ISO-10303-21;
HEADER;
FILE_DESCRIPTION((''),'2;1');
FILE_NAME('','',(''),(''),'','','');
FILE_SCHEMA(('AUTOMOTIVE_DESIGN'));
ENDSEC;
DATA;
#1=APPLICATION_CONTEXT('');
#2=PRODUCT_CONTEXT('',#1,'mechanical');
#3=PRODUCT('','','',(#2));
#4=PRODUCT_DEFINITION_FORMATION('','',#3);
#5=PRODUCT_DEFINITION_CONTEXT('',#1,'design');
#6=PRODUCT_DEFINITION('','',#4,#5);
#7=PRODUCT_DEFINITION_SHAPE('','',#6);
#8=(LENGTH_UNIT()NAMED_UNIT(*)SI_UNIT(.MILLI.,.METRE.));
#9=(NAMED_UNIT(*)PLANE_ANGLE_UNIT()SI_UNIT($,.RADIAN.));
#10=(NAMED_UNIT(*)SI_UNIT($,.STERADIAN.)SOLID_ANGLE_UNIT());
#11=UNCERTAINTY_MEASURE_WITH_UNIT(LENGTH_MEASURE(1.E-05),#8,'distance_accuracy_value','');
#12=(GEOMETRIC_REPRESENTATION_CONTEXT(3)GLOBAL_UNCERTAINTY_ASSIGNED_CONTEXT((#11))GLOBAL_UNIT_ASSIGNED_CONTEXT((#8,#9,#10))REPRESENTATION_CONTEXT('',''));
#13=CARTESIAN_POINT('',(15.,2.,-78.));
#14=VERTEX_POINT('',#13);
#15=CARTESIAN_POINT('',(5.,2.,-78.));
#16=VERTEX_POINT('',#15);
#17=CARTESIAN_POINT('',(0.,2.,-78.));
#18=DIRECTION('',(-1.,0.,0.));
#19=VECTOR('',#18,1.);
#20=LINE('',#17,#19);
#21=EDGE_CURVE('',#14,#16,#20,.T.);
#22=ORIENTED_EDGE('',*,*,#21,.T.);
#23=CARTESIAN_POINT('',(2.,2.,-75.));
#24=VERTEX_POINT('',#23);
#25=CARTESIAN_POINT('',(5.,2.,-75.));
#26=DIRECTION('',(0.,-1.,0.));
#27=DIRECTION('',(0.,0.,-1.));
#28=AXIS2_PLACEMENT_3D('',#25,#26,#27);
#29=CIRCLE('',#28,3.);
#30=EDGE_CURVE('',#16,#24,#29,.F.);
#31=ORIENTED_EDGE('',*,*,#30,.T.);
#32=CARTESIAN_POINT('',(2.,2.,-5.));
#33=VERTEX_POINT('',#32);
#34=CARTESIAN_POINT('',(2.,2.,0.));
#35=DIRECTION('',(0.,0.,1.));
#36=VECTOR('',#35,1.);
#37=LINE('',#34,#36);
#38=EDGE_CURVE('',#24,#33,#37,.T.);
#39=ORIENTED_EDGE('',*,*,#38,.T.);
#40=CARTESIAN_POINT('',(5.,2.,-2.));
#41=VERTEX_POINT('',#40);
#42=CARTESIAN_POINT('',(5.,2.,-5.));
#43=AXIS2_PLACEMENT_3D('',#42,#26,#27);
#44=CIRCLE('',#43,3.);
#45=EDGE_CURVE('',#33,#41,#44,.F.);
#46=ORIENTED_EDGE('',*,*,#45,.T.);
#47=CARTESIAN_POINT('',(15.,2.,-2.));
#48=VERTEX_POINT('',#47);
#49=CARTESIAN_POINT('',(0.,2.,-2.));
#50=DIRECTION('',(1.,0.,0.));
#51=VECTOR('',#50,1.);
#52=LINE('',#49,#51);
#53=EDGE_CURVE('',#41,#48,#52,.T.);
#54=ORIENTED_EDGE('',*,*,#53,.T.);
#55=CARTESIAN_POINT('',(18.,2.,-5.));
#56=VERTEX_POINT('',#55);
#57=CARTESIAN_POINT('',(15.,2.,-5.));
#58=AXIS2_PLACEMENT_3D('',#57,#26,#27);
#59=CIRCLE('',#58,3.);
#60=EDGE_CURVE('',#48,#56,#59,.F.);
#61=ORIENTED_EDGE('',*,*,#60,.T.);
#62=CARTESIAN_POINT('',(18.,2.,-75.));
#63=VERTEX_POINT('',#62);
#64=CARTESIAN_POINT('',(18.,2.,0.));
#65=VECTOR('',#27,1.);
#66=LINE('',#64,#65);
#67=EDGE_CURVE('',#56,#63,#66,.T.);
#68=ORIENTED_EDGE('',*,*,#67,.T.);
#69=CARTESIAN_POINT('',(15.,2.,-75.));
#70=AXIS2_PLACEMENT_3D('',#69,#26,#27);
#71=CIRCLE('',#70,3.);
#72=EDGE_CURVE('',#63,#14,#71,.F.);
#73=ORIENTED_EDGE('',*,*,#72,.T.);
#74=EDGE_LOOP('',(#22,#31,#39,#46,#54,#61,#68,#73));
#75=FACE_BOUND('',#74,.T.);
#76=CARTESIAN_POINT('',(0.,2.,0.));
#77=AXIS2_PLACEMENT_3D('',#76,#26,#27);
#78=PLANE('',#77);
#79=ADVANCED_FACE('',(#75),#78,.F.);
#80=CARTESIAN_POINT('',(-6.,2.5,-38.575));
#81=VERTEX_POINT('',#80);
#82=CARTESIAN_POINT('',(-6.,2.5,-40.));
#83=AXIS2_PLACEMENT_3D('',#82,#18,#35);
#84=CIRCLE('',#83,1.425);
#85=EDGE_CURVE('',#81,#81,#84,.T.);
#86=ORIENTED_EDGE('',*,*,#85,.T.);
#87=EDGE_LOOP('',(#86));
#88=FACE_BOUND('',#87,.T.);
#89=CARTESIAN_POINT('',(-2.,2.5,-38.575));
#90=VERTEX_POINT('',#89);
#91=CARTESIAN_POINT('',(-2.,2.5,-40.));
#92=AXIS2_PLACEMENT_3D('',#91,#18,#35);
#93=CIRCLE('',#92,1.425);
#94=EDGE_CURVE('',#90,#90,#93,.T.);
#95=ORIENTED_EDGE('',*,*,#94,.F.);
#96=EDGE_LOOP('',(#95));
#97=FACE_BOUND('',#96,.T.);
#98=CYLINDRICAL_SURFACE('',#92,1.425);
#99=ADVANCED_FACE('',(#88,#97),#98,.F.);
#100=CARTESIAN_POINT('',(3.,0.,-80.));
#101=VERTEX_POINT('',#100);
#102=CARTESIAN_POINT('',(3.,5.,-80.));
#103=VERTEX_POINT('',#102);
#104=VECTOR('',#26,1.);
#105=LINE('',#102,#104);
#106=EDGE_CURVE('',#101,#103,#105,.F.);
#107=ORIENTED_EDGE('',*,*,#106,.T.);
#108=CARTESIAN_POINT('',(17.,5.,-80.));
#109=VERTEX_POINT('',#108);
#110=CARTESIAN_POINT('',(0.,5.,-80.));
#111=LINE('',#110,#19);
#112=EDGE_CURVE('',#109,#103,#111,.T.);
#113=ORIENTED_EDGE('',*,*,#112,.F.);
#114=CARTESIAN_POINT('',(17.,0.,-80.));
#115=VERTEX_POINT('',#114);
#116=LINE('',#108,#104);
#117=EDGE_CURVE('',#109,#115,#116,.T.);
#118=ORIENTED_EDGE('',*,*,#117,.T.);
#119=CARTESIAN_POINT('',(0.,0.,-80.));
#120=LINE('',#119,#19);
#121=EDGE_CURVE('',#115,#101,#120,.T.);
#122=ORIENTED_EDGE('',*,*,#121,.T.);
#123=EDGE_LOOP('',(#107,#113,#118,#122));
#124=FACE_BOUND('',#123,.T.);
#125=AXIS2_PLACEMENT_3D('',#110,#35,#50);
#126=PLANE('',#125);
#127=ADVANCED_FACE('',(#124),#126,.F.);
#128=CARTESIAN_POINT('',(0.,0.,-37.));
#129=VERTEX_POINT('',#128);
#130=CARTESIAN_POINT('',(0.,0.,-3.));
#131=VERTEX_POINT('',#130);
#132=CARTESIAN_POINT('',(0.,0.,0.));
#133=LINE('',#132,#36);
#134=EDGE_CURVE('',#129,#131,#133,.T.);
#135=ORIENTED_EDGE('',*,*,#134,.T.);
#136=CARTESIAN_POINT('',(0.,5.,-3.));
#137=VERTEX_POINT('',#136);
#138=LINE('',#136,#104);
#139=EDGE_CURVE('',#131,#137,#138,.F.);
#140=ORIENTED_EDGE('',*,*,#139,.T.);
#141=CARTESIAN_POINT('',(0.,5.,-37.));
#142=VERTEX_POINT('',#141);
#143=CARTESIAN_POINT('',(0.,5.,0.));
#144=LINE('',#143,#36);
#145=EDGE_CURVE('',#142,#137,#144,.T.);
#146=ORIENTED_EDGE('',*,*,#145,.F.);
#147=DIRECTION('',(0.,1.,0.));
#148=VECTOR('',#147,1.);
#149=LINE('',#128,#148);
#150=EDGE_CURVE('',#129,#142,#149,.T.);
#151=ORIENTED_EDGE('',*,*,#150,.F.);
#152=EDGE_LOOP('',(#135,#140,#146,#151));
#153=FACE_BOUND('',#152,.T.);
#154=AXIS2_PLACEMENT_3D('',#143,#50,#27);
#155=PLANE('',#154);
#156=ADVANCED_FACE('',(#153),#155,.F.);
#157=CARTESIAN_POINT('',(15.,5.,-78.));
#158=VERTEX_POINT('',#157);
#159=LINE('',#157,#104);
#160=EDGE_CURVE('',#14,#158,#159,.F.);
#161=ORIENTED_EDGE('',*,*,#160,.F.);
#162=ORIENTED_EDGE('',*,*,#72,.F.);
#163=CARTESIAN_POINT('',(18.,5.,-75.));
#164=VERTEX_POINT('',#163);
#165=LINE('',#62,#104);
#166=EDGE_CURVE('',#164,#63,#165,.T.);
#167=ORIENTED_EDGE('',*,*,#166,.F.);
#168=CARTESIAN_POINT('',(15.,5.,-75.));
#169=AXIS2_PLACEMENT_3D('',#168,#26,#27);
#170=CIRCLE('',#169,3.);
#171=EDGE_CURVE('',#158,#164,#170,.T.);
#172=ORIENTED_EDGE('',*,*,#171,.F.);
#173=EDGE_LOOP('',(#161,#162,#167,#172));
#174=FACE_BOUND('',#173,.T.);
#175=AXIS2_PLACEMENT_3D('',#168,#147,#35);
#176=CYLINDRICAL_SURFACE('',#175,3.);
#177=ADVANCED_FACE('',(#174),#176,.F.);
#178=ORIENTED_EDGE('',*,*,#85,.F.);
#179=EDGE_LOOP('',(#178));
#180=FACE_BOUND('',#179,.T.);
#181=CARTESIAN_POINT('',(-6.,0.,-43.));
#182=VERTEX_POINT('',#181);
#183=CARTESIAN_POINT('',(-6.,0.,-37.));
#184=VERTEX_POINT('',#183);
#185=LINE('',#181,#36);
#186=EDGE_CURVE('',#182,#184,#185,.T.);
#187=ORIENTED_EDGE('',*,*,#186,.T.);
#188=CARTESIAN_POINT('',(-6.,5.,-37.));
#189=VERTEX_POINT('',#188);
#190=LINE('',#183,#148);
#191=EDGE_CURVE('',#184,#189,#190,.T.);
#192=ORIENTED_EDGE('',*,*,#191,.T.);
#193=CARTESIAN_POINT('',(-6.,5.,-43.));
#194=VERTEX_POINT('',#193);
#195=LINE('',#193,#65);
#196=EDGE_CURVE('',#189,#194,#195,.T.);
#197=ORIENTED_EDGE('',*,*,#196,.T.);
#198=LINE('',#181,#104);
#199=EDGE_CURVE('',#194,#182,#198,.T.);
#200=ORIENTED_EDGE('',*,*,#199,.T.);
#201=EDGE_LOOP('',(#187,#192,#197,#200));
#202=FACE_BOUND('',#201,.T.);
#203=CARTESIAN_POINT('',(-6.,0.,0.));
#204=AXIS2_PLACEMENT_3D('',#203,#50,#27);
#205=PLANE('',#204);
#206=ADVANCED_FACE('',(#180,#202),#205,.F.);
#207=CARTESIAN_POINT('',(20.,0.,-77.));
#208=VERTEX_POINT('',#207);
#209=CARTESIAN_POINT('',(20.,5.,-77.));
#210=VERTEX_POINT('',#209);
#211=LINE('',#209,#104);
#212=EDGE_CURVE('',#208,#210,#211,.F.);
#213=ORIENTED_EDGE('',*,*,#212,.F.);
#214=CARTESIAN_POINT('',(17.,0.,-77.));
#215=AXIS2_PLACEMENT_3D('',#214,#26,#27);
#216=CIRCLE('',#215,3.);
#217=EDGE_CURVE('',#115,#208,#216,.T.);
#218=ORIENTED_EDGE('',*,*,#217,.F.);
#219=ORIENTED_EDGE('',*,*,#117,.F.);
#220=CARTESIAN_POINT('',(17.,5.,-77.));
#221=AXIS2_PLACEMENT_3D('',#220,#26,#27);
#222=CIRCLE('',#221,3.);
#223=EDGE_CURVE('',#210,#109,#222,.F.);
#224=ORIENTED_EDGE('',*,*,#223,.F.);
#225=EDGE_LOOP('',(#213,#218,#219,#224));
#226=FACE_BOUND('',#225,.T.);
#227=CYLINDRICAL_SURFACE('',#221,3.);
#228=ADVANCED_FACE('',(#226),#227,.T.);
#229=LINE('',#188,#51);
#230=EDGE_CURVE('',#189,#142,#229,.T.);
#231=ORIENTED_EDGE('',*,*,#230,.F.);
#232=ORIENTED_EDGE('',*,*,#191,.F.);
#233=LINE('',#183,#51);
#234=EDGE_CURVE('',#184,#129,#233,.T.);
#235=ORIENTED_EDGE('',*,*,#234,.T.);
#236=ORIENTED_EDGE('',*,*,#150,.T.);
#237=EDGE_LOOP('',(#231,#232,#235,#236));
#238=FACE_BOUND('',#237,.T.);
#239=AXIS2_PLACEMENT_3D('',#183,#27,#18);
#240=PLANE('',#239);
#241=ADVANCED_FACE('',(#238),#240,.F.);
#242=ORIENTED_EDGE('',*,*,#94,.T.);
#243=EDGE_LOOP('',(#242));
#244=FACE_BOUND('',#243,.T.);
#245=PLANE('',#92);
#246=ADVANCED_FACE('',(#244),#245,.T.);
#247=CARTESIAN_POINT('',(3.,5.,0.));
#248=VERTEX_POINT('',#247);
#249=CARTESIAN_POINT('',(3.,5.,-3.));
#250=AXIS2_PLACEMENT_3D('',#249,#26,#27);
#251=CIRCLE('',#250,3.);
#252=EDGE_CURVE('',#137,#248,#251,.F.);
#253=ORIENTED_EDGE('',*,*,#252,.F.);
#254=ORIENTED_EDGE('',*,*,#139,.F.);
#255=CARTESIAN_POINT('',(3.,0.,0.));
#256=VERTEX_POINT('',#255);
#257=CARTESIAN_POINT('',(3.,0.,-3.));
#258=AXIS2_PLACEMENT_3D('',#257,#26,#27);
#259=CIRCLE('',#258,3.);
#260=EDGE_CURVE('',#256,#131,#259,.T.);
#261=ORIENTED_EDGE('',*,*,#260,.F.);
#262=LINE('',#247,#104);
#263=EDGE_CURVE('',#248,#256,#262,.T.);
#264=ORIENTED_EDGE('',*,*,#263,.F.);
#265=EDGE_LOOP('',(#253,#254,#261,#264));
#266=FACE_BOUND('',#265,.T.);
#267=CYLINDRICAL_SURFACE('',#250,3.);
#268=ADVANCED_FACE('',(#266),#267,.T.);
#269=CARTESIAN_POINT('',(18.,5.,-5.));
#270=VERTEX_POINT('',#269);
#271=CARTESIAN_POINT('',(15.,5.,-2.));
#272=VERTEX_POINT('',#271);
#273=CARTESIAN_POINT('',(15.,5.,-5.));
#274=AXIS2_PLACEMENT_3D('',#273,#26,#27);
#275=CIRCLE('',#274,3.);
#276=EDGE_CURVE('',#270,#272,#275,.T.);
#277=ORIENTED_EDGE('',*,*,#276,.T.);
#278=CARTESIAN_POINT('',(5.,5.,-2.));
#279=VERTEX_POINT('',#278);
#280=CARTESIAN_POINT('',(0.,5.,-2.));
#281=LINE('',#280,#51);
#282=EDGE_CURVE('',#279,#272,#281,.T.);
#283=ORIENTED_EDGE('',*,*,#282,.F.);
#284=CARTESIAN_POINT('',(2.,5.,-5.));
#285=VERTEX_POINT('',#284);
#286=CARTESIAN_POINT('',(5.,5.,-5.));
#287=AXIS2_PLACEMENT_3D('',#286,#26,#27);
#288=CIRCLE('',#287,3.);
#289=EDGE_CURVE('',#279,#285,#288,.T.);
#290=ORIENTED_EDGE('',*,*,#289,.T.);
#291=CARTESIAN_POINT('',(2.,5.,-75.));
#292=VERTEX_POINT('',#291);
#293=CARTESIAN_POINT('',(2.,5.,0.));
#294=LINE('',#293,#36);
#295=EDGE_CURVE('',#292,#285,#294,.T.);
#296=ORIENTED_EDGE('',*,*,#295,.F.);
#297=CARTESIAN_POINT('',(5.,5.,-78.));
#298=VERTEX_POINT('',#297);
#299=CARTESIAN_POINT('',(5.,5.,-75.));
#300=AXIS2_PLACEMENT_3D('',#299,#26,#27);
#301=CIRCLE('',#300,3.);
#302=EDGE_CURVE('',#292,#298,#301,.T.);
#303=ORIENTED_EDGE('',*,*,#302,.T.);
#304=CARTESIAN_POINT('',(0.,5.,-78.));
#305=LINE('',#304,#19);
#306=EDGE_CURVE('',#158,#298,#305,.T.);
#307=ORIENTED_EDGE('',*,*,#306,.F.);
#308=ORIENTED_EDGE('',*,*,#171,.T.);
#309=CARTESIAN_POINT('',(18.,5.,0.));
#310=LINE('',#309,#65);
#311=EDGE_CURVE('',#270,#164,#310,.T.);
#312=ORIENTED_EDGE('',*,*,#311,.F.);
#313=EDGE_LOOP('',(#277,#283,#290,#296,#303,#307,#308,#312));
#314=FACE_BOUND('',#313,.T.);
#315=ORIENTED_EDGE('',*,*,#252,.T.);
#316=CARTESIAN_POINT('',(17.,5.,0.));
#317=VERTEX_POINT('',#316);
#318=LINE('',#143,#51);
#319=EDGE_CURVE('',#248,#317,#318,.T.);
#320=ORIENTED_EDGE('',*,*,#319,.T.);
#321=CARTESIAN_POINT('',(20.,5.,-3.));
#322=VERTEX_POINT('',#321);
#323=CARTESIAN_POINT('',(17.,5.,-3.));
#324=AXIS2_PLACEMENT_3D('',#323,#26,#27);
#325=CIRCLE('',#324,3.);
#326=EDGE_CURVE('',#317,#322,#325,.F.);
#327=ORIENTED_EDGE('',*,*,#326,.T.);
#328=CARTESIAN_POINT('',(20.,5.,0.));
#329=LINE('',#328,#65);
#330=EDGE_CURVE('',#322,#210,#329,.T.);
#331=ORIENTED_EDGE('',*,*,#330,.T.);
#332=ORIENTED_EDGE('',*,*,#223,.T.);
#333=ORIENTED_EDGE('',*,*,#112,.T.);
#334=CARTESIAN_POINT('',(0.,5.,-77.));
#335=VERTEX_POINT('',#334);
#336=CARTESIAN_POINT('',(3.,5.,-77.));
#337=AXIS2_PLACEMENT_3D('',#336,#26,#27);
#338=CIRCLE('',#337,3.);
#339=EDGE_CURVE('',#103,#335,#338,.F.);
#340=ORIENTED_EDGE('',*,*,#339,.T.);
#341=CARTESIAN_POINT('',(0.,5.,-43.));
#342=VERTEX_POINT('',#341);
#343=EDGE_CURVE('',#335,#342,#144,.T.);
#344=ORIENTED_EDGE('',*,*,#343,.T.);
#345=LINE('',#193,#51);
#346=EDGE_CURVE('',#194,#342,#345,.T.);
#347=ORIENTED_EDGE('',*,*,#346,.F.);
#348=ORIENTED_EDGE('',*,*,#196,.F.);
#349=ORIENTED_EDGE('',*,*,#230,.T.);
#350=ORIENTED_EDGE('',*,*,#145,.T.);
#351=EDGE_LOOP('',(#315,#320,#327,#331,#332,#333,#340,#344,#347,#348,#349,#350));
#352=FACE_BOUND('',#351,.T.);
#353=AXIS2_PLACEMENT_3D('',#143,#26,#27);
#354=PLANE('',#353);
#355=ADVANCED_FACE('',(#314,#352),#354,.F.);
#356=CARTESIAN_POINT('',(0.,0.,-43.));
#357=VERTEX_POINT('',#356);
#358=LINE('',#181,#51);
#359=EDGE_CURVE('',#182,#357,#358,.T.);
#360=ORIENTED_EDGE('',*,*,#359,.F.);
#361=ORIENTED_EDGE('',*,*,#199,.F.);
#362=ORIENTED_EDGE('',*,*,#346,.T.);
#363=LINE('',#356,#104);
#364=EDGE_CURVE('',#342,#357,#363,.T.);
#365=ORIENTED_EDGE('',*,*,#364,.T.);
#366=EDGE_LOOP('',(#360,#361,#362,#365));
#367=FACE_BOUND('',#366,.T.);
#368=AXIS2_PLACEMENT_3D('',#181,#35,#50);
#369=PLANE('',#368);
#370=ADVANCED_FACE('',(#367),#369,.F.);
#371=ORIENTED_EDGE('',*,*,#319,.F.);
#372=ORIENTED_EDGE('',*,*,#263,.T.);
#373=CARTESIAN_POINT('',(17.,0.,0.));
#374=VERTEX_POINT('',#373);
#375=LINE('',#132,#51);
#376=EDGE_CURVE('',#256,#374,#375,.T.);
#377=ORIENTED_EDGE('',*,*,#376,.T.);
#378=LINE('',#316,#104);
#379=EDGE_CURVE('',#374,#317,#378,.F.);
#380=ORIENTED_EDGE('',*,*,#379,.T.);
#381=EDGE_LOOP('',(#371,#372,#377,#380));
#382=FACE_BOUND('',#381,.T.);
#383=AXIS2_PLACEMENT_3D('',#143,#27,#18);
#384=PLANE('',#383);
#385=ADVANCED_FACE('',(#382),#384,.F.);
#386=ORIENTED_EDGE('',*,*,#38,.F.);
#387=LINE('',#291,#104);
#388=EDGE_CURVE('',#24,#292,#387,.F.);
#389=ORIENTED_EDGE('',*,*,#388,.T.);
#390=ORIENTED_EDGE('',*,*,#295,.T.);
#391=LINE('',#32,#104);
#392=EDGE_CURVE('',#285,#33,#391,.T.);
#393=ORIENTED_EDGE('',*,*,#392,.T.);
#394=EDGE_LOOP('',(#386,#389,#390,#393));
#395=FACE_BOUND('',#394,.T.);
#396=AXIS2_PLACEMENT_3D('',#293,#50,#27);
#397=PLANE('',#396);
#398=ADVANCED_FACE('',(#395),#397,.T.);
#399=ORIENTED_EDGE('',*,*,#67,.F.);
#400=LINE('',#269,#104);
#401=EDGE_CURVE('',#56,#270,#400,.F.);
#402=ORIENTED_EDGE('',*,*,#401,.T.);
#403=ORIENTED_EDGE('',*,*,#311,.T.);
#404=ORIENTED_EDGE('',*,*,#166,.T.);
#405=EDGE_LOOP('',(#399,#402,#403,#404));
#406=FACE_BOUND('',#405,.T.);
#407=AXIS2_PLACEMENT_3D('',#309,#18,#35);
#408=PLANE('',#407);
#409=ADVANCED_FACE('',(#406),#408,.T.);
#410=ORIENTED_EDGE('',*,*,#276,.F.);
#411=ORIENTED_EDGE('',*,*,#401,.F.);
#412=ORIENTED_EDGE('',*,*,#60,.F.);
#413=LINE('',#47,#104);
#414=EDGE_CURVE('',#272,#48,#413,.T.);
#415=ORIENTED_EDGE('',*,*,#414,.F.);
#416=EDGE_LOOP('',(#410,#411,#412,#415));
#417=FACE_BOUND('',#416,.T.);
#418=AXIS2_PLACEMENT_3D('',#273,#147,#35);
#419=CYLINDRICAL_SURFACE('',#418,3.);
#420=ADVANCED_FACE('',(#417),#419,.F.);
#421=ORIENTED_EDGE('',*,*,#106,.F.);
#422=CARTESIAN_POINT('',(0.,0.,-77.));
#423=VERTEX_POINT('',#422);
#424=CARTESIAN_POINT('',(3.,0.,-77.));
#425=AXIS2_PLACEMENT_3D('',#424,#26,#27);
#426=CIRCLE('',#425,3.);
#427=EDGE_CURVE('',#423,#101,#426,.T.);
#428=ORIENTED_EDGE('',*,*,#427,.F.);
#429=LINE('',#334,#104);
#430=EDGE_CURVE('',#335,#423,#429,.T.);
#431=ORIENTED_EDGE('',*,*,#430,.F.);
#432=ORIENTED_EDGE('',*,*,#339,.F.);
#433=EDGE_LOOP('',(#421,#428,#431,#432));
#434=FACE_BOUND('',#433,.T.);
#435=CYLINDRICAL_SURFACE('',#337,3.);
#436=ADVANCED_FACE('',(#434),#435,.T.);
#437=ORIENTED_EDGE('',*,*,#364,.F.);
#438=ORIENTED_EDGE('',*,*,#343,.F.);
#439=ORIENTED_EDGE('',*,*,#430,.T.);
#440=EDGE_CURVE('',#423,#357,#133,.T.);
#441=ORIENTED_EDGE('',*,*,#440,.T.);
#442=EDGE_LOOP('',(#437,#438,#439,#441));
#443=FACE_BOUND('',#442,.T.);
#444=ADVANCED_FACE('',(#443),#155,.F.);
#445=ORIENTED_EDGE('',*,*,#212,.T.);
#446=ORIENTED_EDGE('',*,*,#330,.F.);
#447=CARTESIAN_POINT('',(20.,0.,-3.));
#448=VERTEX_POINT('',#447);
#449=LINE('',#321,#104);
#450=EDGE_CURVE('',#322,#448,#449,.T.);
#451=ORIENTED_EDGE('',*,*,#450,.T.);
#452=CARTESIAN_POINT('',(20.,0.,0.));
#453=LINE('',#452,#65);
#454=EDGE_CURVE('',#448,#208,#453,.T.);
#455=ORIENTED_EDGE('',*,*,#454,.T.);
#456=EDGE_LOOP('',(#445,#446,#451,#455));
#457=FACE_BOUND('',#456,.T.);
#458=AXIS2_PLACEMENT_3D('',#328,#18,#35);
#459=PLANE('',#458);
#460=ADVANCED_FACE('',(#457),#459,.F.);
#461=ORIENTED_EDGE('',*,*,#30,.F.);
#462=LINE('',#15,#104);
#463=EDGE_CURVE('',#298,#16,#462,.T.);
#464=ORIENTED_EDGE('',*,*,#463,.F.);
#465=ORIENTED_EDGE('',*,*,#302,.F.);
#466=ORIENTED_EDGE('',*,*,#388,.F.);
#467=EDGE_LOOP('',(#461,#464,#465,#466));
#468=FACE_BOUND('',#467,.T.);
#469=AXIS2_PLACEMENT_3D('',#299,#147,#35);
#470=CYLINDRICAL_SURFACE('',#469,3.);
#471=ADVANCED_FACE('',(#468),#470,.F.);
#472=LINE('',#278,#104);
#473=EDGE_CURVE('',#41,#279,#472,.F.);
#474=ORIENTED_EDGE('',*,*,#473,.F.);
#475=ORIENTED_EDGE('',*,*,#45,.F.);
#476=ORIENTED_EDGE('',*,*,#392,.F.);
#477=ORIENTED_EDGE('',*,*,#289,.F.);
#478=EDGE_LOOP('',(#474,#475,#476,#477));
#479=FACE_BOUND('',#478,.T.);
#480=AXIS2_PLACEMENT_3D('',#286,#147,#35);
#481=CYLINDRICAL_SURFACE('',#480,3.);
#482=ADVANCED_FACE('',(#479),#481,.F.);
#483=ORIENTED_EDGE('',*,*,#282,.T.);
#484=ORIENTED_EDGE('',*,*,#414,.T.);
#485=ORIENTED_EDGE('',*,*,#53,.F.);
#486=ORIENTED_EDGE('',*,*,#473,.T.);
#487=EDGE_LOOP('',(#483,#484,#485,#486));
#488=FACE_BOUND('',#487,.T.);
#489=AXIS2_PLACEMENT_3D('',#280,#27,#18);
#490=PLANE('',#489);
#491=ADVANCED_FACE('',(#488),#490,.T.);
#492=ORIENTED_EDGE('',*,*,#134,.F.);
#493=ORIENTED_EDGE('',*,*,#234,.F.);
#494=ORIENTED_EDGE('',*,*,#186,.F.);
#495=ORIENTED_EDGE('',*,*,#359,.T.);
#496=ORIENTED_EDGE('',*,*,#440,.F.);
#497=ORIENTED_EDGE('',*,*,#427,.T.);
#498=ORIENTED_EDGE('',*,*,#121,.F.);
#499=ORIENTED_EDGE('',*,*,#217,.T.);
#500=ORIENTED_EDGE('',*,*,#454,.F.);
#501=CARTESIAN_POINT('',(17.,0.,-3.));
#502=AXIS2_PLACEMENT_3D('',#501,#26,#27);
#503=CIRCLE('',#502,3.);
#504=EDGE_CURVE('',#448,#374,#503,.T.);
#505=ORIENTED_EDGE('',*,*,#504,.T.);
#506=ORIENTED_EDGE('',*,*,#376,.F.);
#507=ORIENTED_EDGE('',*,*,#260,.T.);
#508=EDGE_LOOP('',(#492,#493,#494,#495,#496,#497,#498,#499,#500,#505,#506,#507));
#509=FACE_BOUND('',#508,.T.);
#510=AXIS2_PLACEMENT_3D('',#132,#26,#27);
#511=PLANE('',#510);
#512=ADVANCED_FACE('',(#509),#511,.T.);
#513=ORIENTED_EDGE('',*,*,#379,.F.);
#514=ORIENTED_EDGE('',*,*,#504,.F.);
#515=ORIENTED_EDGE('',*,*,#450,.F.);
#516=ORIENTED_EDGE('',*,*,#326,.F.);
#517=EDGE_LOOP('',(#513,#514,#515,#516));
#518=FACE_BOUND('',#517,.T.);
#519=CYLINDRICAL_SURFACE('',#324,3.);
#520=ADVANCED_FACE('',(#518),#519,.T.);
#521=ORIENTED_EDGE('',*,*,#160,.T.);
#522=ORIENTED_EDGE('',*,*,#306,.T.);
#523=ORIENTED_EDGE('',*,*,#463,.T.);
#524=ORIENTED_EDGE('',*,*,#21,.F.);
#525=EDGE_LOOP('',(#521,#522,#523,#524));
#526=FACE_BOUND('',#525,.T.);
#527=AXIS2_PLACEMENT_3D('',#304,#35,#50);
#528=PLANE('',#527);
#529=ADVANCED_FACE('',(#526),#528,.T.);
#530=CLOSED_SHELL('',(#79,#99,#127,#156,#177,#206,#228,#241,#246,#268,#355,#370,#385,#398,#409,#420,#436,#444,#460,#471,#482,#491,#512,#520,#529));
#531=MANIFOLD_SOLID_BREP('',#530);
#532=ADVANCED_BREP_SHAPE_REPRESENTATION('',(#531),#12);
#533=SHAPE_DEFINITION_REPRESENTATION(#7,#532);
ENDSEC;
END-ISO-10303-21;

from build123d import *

# Parameters (mm, degrees)
SKETCH1_W           = 20
SKETCH1_H           = 80
BOSS_EXTRUDE1_DEPTH = 5
SHELL1_T            = -2
FILLET1_R           = 3
FILLET2_R           = 3
FILLET3_R           = 3
FILLET4_R           = 3
FILLET5_R           = 3
FILLET6_R           = 3
FILLET7_R           = 3
FILLET8_R           = 3
SKETCH2_W           = 6
SKETCH2_H           = 5
BOSS_EXTRUDE2_DEPTH = 6
SKETCH3_R           = 1.425
CUT_EXTRUDE1_DEPTH  = 4


with BuildPart() as part:
    # Sketch1 → Boss-Extrude1 (new body)
    with BuildSketch(Plane(origin=(0, 0, 0), x_dir=(1, 0, 0), z_dir=(0, 1, 0))):
        with Locations((10, 40)):
            Rectangle(SKETCH1_W, SKETCH1_H)
    extrude(amount=BOSS_EXTRUDE1_DEPTH)

    # Shell1
    shell1_openings = [part.faces().sort_by_distance(p)[0] for p in [
        (10, 5, -40),
    ]]
    offset(amount=SHELL1_T, openings=shell1_openings, kind=Kind.INTERSECTION)

    # Fillet1
    fillet1_edges = [part.edges().sort_by_distance(p)[0] for p in [
        (20, 2.5, 0),
    ]]
    fillet(fillet1_edges, radius=FILLET1_R)

    # Fillet2
    fillet2_edges = [part.edges().sort_by_distance(p)[0] for p in [
        (0, 2.5, 0),
    ]]
    fillet(fillet2_edges, radius=FILLET2_R)

    # Fillet3
    fillet3_edges = [part.edges().sort_by_distance(p)[0] for p in [
        (20, 2.5, -80),
    ]]
    fillet(fillet3_edges, radius=FILLET3_R)

    # Fillet4
    fillet4_edges = [part.edges().sort_by_distance(p)[0] for p in [
        (0, 2.5, -80),
    ]]
    fillet(fillet4_edges, radius=FILLET4_R)

    # Fillet5
    fillet5_edges = [part.edges().sort_by_distance(p)[0] for p in [
        (2, 3.5, -2),
    ]]
    fillet(fillet5_edges, radius=FILLET5_R)

    # Fillet6
    fillet6_edges = [part.edges().sort_by_distance(p)[0] for p in [
        (18, 3.5, -2),
    ]]
    fillet(fillet6_edges, radius=FILLET6_R)

    # Fillet7
    fillet7_edges = [part.edges().sort_by_distance(p)[0] for p in [
        (2, 3.5, -78),
    ]]
    fillet(fillet7_edges, radius=FILLET7_R)

    # Fillet8
    fillet8_edges = [part.edges().sort_by_distance(p)[0] for p in [
        (18, 3.5, -78),
    ]]
    fillet(fillet8_edges, radius=FILLET8_R)

    # Sketch2 → Boss-Extrude2 (add)
    with BuildSketch(Plane.ZY):
        with Locations((-40, 2.5)):
            Rectangle(SKETCH2_W, SKETCH2_H)
    extrude(amount=BOSS_EXTRUDE2_DEPTH)

    # Sketch3 → Cut-Extrude1 (cut)
    with BuildSketch(Plane.ZY.offset(6)):
        with Locations((-40, 2.5)):
            Circle(SKETCH3_R)
    extrude(amount=-CUT_EXTRUDE1_DEPTH, mode=Mode.SUBTRACT)


solid = part.part
